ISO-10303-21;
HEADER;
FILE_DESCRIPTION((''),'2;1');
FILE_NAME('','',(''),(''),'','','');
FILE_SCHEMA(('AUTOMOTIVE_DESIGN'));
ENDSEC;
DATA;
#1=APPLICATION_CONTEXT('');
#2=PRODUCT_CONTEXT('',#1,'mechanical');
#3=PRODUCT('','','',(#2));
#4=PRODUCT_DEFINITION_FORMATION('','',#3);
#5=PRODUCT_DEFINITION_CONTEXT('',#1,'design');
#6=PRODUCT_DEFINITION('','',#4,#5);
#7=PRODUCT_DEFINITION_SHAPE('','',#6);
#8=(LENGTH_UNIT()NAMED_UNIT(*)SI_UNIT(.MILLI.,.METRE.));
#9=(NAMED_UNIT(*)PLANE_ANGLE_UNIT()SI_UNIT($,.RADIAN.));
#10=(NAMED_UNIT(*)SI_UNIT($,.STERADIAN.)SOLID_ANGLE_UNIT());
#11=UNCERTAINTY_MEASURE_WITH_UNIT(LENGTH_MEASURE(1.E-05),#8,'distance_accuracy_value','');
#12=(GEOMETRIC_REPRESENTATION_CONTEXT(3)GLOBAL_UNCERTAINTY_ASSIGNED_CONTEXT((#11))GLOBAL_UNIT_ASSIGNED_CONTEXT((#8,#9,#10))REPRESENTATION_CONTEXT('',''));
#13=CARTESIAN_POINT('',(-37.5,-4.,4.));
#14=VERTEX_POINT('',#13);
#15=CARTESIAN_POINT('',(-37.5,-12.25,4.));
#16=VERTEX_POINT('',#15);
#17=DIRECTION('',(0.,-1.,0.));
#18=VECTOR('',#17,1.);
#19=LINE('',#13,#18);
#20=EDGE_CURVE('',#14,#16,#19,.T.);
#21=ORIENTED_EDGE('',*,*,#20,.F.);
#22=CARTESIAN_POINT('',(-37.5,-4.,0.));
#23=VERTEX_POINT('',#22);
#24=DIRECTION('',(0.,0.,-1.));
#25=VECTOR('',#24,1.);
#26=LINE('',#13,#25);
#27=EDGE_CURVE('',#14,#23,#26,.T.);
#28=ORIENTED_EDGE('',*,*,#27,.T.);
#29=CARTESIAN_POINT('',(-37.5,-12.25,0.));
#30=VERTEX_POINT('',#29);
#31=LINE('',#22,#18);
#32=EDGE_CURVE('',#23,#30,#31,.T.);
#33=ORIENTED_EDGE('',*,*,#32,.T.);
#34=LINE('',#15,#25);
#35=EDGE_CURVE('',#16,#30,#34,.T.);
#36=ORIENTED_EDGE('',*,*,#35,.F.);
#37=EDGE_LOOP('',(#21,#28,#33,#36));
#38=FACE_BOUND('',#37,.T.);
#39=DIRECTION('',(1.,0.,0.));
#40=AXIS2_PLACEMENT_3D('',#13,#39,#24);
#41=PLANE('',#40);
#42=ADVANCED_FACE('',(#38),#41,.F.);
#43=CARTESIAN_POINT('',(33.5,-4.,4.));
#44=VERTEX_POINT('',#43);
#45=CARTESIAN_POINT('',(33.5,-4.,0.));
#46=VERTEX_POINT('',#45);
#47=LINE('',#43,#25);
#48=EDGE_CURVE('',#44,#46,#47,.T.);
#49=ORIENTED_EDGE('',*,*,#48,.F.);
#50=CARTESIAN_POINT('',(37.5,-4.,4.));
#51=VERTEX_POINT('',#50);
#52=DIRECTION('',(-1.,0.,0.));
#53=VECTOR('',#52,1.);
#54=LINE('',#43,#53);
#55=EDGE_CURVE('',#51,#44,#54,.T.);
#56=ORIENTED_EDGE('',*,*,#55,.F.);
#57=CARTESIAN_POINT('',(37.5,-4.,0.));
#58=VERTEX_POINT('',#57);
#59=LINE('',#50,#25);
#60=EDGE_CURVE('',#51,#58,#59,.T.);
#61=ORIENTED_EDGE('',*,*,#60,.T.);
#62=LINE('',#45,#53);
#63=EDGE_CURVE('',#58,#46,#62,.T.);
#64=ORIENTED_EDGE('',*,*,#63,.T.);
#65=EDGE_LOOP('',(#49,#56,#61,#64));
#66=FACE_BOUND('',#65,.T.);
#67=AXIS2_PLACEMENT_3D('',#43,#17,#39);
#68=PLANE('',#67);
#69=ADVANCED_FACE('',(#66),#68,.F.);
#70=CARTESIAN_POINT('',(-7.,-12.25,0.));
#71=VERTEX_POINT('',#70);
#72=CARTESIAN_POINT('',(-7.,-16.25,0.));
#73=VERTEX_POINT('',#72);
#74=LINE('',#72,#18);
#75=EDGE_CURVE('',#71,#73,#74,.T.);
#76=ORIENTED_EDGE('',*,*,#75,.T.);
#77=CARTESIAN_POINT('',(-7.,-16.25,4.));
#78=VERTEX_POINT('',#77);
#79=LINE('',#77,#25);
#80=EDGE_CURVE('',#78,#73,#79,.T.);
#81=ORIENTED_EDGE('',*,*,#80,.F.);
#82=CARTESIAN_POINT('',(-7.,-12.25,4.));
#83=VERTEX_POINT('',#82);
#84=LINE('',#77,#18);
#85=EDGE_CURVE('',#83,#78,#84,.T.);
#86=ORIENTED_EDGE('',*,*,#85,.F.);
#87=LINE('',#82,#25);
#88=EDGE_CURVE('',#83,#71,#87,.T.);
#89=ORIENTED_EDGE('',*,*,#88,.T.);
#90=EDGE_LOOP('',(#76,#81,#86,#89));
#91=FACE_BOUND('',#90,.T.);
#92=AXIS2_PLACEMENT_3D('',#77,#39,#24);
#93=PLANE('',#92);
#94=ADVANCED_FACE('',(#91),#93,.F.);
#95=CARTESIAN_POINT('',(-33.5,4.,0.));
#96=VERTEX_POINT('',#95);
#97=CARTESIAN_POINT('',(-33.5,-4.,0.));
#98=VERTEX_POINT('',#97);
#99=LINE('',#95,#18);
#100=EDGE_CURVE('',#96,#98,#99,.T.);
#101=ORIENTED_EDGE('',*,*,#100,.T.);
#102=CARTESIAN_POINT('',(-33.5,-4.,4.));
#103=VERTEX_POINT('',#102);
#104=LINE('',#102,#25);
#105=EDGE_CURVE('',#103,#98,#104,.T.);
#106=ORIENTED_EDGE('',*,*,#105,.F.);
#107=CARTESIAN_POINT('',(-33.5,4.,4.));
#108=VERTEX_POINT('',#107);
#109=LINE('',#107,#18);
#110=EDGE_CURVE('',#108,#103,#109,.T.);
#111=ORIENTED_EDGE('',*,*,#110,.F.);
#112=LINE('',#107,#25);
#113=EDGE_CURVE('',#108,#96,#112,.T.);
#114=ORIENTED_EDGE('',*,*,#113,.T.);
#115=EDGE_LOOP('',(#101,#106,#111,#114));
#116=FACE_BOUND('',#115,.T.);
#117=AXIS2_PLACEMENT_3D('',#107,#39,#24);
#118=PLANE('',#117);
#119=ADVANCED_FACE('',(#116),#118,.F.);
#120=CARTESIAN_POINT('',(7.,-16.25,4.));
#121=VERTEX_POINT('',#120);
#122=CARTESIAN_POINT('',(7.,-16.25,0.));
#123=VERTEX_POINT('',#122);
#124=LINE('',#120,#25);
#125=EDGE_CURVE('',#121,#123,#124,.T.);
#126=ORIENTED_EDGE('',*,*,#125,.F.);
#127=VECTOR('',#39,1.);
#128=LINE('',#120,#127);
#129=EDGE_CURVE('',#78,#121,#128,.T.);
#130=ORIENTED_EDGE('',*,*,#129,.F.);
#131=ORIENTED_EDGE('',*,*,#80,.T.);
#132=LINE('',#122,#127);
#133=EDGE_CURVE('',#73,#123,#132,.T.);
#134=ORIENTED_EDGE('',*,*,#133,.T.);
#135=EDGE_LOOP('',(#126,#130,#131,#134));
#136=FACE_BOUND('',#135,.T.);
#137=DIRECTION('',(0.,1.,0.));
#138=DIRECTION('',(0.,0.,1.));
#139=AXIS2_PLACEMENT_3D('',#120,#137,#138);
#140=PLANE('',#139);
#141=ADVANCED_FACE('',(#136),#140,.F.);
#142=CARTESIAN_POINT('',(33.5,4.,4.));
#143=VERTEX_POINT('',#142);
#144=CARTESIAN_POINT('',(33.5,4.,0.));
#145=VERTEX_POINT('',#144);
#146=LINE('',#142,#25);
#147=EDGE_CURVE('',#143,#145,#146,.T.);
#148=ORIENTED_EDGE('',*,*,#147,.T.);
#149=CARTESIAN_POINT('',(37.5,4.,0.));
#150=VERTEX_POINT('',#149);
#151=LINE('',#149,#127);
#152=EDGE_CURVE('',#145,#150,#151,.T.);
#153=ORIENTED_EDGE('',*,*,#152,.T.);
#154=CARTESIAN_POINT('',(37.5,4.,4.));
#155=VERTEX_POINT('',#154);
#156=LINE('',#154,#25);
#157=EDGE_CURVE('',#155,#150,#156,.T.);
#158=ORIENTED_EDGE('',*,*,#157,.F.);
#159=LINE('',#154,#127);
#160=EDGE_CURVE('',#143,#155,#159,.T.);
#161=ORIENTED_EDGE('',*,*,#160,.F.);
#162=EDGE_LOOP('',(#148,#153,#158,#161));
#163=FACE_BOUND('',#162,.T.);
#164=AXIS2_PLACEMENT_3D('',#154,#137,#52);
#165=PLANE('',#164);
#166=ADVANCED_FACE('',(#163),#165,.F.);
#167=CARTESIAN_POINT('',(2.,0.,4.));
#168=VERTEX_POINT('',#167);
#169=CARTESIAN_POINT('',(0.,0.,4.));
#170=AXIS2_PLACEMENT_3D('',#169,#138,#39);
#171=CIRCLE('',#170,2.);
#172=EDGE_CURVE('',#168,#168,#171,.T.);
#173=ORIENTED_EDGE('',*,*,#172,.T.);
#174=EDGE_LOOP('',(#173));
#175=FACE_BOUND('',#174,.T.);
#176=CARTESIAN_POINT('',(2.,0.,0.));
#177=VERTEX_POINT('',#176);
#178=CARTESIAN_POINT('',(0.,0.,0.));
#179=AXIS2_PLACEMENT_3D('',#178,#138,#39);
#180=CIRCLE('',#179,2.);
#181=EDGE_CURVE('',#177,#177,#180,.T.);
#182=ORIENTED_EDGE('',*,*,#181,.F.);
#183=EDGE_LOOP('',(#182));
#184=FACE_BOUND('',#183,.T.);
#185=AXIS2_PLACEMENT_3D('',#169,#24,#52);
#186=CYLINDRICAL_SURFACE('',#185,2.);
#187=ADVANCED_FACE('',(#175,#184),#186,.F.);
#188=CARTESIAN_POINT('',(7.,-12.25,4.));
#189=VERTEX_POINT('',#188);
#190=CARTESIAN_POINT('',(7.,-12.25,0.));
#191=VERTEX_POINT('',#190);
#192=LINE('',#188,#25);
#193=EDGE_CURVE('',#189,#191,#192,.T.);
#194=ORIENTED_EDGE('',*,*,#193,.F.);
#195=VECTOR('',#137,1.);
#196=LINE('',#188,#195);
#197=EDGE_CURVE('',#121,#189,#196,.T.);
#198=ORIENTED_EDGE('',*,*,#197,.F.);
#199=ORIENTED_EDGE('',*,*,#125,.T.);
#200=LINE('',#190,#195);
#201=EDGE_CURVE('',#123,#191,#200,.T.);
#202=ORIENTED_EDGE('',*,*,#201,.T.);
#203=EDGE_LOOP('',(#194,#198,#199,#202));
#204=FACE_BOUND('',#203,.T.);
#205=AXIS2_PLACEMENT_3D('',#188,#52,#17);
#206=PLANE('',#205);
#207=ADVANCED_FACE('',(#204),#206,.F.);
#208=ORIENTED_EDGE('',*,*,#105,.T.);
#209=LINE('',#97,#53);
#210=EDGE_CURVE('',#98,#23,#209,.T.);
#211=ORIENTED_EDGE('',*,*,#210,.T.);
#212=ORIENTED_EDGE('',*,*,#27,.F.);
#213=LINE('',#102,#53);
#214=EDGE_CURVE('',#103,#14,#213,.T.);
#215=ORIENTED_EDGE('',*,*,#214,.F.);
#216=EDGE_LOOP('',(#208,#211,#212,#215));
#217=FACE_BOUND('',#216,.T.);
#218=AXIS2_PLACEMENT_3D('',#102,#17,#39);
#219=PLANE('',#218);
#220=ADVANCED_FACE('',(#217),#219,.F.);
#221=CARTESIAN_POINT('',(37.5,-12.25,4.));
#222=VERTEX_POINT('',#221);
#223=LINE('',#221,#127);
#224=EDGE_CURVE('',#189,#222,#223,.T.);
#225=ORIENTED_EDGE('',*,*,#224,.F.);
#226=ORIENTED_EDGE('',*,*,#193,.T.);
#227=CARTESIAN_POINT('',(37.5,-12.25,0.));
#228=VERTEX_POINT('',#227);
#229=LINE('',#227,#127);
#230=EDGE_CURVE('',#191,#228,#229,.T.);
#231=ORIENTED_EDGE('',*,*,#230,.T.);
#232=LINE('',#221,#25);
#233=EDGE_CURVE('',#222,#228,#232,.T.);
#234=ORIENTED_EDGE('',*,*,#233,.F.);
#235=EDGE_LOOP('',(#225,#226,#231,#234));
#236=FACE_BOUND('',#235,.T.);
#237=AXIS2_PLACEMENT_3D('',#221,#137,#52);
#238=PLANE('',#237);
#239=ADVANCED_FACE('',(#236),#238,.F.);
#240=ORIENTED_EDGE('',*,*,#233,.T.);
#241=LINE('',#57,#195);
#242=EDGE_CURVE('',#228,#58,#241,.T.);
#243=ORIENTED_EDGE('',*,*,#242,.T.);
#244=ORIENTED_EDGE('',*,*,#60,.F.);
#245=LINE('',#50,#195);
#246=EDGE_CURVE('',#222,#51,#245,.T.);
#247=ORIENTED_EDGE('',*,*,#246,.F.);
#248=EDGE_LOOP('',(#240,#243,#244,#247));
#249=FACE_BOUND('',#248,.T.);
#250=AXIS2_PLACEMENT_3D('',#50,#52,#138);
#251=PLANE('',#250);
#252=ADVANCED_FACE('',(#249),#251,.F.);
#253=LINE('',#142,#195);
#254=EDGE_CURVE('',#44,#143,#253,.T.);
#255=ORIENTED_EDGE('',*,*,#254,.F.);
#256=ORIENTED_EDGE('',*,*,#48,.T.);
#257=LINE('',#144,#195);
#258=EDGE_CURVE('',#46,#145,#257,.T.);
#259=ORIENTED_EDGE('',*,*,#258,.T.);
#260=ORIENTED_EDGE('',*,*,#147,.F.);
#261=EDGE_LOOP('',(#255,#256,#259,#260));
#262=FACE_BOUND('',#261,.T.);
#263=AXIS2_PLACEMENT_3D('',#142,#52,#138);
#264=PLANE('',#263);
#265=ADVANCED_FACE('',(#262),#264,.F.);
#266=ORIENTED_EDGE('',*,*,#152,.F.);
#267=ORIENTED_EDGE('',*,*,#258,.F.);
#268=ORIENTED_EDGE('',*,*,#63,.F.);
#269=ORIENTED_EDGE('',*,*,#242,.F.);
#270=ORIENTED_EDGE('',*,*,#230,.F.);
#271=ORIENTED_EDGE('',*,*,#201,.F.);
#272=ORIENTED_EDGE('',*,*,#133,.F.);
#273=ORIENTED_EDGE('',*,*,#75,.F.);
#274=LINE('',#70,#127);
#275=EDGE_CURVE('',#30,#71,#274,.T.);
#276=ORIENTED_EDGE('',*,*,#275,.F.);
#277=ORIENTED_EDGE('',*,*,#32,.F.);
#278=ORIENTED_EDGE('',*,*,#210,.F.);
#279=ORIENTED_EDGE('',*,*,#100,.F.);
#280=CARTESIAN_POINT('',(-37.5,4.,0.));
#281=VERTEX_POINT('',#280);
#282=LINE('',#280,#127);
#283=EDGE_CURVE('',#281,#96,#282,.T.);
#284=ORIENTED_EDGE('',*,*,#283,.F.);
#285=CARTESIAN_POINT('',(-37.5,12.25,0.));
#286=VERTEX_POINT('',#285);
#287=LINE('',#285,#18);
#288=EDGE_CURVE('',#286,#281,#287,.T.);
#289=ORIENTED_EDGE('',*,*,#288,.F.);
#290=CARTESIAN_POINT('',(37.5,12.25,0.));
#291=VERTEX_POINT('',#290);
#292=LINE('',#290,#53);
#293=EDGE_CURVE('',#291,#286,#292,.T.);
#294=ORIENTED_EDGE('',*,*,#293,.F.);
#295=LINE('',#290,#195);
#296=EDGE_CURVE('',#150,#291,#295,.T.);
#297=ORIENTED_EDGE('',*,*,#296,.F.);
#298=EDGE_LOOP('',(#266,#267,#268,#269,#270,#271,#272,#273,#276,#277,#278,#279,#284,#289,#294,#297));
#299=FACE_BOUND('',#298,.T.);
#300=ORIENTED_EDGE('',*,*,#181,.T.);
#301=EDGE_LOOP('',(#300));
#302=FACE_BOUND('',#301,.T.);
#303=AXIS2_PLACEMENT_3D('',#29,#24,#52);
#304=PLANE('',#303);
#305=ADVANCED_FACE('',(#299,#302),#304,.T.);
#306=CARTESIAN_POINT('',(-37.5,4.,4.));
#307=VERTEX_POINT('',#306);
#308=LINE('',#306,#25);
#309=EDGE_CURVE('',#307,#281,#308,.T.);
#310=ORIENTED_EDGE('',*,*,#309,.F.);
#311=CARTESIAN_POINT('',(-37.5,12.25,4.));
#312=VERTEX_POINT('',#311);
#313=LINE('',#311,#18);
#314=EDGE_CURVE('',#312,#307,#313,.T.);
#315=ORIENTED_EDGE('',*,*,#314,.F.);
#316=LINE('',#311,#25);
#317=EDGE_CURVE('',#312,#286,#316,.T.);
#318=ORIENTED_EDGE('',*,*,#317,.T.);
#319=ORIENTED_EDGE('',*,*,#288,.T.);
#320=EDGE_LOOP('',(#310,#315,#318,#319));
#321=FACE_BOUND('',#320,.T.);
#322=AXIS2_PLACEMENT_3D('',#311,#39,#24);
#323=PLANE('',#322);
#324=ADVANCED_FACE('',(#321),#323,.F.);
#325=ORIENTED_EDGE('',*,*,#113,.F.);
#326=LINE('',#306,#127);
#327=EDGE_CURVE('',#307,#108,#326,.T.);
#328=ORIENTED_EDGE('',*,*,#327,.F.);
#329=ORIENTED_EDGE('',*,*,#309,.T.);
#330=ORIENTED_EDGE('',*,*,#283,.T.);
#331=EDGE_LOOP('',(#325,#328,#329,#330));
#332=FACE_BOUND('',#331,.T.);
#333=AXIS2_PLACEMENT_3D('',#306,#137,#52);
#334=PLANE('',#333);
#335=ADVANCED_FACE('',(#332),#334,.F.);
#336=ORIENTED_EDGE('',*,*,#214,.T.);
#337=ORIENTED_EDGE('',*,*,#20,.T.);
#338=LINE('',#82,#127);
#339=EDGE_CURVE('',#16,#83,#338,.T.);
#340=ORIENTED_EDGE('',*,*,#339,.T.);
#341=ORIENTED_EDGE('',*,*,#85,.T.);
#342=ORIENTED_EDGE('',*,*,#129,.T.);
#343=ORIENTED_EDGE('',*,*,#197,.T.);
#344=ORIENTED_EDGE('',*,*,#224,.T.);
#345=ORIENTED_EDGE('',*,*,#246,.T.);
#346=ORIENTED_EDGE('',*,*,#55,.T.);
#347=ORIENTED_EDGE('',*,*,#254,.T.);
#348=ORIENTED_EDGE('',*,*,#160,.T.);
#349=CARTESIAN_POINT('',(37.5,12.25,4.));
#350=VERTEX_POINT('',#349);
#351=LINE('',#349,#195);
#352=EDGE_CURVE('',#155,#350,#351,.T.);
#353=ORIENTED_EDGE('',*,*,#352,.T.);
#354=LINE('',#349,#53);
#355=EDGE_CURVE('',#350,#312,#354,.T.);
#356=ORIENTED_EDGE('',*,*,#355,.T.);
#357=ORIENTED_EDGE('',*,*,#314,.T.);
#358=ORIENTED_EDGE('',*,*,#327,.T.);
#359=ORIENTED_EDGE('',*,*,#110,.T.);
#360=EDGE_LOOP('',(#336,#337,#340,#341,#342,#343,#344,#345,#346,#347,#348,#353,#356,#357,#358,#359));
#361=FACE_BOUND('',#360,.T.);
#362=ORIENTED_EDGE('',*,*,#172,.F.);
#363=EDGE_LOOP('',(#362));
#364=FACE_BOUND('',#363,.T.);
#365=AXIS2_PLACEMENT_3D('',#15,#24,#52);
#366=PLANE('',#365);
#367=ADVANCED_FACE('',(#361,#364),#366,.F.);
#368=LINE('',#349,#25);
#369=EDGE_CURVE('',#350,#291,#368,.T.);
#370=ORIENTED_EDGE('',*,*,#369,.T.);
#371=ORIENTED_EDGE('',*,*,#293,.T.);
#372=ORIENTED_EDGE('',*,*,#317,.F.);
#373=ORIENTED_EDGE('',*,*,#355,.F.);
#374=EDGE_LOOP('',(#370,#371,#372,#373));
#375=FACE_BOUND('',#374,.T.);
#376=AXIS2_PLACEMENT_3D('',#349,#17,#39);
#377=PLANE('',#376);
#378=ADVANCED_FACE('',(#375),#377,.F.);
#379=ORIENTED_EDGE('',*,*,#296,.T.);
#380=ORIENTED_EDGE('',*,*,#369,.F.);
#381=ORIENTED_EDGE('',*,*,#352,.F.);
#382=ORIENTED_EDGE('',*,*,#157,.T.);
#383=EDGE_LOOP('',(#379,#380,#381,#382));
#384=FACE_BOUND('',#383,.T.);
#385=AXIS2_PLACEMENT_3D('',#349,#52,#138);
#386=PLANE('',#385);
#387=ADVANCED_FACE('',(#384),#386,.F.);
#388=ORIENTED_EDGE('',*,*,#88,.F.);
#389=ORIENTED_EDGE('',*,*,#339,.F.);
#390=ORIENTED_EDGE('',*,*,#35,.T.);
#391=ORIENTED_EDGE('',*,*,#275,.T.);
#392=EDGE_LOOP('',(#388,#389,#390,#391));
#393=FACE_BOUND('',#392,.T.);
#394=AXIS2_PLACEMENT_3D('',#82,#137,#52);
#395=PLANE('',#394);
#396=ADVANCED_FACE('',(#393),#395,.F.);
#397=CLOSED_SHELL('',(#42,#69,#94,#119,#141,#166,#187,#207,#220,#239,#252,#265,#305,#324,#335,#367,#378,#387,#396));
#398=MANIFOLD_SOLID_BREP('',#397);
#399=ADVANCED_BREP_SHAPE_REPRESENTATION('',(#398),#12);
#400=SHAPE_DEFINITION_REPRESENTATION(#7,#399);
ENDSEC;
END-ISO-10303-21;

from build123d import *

# Parameters (mm, degrees)
CROQUIS1_R              = 2
SALIENTE_EXTRUIR1_DEPTH = 4


with BuildPart() as part:
    # Croquis1 → Saliente-Extruir1 (new body)
    with BuildSketch(Plane.XY):
        Polygon((37.5, 12.25), (-37.5, 12.25), (-37.5, 4), (-33.5, 4), (-33.5, -4), (-37.5, -4), (-37.5, -12.25), (-7, -12.25), (-7, -16.25), (7, -16.25), (7, -12.25), (37.5, -12.25), (37.5, -4), (33.5, -4), (33.5, 4), (37.5, 4), align=None)
        Circle(CROQUIS1_R, mode=Mode.SUBTRACT)
    extrude(amount=SALIENTE_EXTRUIR1_DEPTH)


solid = part.part
